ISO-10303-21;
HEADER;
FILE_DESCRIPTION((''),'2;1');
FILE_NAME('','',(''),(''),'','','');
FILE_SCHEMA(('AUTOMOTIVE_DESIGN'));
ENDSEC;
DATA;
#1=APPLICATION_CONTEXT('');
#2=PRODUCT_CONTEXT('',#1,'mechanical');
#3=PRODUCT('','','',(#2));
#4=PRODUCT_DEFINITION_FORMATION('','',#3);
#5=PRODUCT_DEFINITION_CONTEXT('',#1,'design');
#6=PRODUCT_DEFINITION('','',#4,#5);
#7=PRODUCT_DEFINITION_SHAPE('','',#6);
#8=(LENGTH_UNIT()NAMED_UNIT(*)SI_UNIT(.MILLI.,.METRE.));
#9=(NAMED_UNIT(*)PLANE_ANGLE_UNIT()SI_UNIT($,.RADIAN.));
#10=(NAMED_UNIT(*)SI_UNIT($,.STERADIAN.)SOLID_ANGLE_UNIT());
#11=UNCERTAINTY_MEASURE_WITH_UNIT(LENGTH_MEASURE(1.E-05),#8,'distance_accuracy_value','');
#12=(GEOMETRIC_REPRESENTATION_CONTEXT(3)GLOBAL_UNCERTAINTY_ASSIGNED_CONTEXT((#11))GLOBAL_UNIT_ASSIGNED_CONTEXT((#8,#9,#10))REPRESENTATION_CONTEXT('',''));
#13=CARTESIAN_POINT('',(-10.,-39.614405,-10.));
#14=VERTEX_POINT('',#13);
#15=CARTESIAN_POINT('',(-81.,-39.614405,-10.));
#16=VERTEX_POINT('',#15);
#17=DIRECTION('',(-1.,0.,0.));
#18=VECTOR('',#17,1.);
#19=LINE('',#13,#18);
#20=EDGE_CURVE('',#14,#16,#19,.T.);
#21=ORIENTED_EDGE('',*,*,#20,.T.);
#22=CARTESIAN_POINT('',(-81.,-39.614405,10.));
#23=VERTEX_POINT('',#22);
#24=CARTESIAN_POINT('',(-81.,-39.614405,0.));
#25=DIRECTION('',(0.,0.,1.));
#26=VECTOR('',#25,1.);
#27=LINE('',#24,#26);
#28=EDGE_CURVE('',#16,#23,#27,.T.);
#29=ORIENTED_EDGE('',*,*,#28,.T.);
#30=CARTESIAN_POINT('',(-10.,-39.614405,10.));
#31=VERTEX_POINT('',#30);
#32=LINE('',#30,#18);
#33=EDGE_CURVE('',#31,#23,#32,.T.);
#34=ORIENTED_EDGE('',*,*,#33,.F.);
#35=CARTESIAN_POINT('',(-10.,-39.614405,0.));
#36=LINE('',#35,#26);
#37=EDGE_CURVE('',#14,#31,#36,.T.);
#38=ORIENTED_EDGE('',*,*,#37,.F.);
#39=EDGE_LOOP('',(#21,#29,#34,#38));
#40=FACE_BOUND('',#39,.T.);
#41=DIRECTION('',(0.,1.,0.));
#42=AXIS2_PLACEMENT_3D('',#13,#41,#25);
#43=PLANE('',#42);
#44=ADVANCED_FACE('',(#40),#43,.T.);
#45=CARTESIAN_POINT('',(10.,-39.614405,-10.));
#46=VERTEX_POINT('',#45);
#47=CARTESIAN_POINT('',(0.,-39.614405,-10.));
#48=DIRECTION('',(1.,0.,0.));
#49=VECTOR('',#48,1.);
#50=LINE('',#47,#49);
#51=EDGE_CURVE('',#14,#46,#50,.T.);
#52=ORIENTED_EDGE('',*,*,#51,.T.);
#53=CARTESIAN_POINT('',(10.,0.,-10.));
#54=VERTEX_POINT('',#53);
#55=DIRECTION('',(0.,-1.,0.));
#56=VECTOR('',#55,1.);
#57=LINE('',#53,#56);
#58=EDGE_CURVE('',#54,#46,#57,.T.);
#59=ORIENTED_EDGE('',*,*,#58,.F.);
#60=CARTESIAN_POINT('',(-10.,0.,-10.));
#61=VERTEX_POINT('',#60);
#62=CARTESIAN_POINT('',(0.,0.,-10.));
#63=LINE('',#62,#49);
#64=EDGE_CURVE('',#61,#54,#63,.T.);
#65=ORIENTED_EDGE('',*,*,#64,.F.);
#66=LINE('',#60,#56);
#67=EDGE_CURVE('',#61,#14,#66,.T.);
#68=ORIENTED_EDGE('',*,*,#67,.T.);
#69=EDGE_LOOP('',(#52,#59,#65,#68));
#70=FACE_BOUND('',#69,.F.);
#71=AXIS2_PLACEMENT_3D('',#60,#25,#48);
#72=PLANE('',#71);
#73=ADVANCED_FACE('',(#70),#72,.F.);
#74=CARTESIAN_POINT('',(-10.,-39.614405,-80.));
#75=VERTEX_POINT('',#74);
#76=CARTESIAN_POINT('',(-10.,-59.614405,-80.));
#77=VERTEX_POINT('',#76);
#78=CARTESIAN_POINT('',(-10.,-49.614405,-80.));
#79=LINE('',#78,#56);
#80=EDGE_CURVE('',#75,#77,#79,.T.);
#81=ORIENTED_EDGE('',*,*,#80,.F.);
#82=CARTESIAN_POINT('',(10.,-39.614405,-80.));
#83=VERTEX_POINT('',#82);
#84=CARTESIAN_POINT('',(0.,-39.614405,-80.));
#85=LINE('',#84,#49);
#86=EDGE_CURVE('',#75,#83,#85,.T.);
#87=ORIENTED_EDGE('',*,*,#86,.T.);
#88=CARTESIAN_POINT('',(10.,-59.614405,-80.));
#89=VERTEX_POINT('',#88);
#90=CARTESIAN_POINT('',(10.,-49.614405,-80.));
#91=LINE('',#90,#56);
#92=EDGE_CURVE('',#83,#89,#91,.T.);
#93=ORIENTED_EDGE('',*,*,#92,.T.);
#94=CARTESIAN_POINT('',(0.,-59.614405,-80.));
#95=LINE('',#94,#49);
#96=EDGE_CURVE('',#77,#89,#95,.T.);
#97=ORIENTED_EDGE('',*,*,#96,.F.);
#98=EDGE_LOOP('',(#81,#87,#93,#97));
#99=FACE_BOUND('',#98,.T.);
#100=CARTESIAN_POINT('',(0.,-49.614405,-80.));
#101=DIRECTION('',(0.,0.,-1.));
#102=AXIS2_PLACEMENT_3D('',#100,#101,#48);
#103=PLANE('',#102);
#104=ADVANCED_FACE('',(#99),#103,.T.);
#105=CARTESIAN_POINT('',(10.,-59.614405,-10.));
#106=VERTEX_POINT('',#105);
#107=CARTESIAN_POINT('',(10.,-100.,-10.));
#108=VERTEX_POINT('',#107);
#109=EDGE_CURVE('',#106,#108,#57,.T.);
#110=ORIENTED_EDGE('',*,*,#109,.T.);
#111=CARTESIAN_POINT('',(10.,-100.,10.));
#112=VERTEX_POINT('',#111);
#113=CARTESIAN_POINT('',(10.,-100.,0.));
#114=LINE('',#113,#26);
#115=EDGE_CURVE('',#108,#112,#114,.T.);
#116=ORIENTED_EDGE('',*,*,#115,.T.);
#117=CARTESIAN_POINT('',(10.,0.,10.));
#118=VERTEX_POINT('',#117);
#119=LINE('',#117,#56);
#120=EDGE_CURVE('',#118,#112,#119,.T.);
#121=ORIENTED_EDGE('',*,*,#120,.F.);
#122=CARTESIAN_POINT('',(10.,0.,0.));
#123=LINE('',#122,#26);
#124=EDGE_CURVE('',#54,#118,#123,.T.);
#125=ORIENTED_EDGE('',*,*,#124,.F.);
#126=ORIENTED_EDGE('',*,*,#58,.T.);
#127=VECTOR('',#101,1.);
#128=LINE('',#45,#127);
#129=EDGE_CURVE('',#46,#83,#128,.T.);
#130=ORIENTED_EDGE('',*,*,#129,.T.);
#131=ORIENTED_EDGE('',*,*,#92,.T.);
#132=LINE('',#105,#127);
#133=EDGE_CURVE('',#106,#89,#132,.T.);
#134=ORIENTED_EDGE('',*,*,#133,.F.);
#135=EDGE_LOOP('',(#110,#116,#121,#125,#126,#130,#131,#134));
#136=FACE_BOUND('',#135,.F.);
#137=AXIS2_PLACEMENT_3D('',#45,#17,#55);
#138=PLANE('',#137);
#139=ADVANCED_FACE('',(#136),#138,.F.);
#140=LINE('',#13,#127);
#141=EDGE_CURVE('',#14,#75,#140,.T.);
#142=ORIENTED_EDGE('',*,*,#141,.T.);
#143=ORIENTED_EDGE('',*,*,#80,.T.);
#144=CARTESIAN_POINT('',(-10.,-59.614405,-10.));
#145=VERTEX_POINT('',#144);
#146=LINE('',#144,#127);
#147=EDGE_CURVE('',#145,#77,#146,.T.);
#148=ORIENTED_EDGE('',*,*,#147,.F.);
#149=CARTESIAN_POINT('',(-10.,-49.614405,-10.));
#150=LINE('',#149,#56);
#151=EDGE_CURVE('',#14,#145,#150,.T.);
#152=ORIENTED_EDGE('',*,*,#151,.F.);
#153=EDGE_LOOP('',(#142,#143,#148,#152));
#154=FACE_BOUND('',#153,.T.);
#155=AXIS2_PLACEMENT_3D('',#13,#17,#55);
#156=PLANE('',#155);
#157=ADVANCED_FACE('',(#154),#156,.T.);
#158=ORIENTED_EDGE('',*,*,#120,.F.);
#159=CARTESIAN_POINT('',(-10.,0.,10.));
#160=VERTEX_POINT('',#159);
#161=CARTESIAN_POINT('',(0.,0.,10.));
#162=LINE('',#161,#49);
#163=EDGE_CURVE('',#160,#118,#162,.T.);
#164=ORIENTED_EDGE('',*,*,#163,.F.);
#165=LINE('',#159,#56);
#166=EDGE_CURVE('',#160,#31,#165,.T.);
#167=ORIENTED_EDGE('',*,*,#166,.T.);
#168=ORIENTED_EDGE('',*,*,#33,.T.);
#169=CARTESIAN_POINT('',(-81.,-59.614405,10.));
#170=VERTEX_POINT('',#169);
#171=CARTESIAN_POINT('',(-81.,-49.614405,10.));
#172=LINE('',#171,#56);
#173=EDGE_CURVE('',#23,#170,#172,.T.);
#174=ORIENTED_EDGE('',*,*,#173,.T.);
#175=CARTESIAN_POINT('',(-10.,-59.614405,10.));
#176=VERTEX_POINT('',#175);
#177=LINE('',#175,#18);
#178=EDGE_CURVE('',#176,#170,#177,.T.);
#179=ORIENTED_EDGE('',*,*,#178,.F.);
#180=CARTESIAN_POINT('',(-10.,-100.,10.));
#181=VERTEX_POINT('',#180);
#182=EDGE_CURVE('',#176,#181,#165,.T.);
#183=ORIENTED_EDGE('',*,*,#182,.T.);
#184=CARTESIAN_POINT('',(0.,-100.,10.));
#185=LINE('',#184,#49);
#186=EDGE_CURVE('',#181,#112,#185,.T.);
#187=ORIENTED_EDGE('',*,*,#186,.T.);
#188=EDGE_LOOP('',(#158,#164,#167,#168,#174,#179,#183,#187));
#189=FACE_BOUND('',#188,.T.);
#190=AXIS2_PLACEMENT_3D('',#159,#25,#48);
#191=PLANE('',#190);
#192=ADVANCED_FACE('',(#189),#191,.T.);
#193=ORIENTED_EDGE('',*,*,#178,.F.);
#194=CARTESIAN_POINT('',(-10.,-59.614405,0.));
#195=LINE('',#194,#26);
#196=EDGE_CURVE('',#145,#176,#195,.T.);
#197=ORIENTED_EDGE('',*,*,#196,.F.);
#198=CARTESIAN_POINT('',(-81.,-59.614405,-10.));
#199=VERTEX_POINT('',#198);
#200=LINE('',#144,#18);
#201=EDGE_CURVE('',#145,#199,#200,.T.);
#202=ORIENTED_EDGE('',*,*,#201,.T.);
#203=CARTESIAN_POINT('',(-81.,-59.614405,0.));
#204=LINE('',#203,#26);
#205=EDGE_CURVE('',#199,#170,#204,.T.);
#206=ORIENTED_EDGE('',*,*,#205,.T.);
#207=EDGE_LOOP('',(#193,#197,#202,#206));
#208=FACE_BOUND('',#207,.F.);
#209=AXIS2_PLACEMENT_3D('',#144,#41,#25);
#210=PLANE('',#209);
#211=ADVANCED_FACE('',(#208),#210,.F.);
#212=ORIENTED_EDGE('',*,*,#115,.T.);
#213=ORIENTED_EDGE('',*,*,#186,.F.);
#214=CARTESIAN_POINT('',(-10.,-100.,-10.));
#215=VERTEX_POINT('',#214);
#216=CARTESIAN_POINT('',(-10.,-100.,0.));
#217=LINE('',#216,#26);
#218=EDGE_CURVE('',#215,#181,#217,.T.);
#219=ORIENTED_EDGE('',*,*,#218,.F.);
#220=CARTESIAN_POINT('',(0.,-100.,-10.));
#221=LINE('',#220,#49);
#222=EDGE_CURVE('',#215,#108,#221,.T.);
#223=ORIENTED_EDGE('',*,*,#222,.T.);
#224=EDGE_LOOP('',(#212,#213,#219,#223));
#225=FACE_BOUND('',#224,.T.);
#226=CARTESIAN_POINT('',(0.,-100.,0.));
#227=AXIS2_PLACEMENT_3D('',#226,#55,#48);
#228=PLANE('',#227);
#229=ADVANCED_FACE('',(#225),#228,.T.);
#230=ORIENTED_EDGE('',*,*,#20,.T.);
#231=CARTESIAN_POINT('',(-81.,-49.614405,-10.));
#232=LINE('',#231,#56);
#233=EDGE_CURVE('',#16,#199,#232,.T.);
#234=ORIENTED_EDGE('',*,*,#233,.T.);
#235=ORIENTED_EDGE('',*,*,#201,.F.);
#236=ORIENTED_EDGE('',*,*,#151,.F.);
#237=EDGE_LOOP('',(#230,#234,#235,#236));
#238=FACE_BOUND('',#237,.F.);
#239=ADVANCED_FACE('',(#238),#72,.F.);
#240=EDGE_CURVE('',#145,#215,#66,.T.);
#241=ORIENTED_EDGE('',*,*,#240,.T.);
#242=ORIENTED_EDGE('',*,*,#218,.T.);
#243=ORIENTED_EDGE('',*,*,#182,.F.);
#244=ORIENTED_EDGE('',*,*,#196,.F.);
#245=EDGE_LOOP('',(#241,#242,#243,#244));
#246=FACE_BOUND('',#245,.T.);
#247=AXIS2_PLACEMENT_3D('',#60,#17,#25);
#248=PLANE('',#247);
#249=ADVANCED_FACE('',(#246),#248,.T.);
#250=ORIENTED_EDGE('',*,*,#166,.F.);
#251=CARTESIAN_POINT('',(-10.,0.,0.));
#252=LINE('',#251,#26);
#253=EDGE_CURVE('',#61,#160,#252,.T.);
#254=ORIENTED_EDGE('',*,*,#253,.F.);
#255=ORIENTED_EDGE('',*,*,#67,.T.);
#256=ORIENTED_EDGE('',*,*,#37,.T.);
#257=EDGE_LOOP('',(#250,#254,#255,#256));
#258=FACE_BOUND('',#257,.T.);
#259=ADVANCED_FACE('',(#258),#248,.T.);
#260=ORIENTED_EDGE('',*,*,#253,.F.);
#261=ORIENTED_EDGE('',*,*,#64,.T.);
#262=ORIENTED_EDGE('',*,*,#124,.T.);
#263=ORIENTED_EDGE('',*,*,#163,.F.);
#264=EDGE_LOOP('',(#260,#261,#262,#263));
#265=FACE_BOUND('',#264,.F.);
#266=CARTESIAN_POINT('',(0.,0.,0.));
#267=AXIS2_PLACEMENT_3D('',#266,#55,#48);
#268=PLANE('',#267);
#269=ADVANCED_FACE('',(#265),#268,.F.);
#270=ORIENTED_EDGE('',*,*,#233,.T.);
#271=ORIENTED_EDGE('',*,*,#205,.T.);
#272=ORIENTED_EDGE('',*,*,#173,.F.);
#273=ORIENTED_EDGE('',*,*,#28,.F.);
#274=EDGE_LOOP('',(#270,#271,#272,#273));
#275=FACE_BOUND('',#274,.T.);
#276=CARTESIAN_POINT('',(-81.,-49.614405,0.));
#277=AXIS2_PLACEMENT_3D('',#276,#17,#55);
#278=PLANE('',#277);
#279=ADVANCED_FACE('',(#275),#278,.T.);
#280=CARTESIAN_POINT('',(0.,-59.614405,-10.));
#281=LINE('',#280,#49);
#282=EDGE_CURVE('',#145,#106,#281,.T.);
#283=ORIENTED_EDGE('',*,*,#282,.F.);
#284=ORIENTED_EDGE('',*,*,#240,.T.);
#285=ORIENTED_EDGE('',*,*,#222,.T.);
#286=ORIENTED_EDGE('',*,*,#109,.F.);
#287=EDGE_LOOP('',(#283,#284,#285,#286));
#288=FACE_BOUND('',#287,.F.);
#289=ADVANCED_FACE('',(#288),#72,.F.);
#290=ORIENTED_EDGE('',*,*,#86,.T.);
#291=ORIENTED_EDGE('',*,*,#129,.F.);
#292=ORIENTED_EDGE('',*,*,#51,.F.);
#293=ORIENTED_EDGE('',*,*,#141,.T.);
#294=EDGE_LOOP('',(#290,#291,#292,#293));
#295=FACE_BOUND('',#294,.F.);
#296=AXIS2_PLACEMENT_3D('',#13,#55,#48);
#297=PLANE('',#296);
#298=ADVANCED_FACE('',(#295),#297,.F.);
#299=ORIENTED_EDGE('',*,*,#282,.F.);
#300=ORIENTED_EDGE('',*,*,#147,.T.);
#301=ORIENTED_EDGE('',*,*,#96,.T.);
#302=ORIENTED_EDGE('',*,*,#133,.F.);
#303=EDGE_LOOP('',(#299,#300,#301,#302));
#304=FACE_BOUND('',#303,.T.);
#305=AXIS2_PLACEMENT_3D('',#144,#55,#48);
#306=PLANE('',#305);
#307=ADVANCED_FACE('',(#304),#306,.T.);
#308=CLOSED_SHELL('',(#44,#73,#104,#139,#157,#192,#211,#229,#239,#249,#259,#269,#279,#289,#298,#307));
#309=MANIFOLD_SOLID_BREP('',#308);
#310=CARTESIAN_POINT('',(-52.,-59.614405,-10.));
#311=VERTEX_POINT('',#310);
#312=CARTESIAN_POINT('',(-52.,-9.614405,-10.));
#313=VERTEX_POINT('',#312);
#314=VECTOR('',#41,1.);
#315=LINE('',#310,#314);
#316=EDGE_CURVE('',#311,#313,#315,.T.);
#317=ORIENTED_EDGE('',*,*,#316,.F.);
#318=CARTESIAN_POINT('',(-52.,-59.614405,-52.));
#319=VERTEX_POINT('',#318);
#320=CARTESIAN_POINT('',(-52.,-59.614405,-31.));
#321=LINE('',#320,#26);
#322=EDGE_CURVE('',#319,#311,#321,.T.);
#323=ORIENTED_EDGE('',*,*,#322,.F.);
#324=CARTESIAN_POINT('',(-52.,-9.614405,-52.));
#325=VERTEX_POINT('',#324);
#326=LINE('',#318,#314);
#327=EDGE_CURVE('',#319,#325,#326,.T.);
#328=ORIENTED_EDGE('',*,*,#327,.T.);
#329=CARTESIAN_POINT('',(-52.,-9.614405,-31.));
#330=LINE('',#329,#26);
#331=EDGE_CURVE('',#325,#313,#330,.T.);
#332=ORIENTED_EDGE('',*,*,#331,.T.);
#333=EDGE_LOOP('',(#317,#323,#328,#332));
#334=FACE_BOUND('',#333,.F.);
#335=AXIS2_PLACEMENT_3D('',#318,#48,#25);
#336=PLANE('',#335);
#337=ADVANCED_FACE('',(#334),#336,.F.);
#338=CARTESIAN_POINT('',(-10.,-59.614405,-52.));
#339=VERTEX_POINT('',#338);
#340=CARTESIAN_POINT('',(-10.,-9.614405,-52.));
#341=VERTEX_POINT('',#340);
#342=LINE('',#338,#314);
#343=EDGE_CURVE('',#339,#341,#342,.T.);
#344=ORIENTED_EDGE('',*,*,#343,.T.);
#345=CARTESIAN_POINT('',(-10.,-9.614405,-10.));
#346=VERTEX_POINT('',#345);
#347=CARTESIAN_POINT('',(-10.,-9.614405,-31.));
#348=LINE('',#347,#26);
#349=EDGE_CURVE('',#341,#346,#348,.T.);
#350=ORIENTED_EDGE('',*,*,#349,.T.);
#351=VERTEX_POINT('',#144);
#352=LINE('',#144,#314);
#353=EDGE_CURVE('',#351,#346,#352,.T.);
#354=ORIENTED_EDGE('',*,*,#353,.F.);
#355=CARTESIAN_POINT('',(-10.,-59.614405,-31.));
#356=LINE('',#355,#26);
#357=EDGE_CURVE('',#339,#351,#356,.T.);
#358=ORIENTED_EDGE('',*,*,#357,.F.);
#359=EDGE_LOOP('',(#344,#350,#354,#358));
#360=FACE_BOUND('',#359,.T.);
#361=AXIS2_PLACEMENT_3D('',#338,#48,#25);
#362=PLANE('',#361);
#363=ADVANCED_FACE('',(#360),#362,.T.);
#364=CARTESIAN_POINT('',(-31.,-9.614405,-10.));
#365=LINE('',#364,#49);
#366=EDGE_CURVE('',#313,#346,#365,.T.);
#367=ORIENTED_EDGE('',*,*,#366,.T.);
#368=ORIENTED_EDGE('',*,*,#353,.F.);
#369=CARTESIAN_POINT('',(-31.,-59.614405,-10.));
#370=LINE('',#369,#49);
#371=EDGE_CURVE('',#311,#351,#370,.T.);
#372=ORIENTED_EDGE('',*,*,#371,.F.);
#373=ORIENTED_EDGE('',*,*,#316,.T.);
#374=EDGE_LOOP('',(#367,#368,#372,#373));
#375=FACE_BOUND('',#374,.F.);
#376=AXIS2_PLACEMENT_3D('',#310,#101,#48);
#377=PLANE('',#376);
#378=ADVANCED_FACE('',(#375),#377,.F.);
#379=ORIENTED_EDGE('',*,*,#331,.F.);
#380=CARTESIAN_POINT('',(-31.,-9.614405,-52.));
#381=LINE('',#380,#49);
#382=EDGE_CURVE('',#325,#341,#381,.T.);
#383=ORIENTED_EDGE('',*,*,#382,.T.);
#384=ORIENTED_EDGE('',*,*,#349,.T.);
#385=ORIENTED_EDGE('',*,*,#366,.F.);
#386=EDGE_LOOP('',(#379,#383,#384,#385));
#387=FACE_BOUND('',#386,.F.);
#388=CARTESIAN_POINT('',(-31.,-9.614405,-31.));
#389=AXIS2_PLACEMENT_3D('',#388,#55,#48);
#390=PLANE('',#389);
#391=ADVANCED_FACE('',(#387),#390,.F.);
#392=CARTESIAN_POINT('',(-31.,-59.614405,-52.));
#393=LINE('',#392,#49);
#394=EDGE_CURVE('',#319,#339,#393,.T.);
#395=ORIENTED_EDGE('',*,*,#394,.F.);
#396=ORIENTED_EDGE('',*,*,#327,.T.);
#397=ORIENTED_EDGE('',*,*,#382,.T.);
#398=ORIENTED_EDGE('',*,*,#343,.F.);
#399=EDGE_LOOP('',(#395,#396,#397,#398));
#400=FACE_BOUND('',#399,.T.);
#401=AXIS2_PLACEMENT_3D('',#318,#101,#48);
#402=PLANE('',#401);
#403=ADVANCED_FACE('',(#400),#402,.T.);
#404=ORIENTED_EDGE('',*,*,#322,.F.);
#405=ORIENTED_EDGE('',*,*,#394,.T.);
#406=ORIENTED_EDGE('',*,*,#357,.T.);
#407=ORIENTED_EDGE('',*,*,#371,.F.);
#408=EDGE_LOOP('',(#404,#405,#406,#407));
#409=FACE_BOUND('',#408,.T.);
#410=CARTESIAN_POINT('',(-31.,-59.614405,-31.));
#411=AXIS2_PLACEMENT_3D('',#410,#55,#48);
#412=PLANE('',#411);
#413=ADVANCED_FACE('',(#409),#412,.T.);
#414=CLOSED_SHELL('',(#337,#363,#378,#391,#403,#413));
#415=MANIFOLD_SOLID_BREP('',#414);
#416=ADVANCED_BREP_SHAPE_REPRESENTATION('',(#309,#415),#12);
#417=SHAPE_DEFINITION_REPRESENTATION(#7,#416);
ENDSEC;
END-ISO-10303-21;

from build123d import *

# Parameters (mm, degrees)
F0_W     = 20
F0_H     = 20
F1_DEPTH = 100
F2_W     = 20
F2_H     = 20
F3_DEPTH = 71
F4_W     = 20
F4_H     = 20
F5_DEPTH = 70
F7_W     = 42
F7_H     = 42
F7_R     = 13.107591
F8_DEPTH = 50


with BuildPart() as f1:
    # F0 (on Front) → F1 (new body)
    with BuildSketch(Plane.XZ):
        Rectangle(F0_W, F0_H)
    extrude(amount=F1_DEPTH)

    # F2 (on face) → F3 (join)
    with BuildSketch(Plane(origin=(-10, 0, 0), x_dir=(0, -1, 0), z_dir=(-1, 0, 0))):
        with Locations((49.614405, 0)):
            Rectangle(F2_W, F2_H)
    extrude(amount=F3_DEPTH)

    # F4 (on face) → F5 (join)
    with BuildSketch(Plane(origin=(0, 0, -10), x_dir=(1, 0, 0), z_dir=(0, 0, -1))):
        with Locations((0, 49.614405)):
            Rectangle(F4_W, F4_H)
    extrude(amount=F5_DEPTH)


with BuildPart() as f8:
    # F7 (on face) → F8 (new body)
    with BuildSketch(Plane.XZ.offset(59.614405)):
        with Locations((-31, -31)):
            Rectangle(F7_W, F7_H)
        with Locations((-31, -31)):
            Circle(F7_R, mode=Mode.SUBTRACT)
        with Locations((-31, -31)):
            Circle(F7_R)
    extrude(amount=-F8_DEPTH)


solid = Compound([f1.part, f8.part])
